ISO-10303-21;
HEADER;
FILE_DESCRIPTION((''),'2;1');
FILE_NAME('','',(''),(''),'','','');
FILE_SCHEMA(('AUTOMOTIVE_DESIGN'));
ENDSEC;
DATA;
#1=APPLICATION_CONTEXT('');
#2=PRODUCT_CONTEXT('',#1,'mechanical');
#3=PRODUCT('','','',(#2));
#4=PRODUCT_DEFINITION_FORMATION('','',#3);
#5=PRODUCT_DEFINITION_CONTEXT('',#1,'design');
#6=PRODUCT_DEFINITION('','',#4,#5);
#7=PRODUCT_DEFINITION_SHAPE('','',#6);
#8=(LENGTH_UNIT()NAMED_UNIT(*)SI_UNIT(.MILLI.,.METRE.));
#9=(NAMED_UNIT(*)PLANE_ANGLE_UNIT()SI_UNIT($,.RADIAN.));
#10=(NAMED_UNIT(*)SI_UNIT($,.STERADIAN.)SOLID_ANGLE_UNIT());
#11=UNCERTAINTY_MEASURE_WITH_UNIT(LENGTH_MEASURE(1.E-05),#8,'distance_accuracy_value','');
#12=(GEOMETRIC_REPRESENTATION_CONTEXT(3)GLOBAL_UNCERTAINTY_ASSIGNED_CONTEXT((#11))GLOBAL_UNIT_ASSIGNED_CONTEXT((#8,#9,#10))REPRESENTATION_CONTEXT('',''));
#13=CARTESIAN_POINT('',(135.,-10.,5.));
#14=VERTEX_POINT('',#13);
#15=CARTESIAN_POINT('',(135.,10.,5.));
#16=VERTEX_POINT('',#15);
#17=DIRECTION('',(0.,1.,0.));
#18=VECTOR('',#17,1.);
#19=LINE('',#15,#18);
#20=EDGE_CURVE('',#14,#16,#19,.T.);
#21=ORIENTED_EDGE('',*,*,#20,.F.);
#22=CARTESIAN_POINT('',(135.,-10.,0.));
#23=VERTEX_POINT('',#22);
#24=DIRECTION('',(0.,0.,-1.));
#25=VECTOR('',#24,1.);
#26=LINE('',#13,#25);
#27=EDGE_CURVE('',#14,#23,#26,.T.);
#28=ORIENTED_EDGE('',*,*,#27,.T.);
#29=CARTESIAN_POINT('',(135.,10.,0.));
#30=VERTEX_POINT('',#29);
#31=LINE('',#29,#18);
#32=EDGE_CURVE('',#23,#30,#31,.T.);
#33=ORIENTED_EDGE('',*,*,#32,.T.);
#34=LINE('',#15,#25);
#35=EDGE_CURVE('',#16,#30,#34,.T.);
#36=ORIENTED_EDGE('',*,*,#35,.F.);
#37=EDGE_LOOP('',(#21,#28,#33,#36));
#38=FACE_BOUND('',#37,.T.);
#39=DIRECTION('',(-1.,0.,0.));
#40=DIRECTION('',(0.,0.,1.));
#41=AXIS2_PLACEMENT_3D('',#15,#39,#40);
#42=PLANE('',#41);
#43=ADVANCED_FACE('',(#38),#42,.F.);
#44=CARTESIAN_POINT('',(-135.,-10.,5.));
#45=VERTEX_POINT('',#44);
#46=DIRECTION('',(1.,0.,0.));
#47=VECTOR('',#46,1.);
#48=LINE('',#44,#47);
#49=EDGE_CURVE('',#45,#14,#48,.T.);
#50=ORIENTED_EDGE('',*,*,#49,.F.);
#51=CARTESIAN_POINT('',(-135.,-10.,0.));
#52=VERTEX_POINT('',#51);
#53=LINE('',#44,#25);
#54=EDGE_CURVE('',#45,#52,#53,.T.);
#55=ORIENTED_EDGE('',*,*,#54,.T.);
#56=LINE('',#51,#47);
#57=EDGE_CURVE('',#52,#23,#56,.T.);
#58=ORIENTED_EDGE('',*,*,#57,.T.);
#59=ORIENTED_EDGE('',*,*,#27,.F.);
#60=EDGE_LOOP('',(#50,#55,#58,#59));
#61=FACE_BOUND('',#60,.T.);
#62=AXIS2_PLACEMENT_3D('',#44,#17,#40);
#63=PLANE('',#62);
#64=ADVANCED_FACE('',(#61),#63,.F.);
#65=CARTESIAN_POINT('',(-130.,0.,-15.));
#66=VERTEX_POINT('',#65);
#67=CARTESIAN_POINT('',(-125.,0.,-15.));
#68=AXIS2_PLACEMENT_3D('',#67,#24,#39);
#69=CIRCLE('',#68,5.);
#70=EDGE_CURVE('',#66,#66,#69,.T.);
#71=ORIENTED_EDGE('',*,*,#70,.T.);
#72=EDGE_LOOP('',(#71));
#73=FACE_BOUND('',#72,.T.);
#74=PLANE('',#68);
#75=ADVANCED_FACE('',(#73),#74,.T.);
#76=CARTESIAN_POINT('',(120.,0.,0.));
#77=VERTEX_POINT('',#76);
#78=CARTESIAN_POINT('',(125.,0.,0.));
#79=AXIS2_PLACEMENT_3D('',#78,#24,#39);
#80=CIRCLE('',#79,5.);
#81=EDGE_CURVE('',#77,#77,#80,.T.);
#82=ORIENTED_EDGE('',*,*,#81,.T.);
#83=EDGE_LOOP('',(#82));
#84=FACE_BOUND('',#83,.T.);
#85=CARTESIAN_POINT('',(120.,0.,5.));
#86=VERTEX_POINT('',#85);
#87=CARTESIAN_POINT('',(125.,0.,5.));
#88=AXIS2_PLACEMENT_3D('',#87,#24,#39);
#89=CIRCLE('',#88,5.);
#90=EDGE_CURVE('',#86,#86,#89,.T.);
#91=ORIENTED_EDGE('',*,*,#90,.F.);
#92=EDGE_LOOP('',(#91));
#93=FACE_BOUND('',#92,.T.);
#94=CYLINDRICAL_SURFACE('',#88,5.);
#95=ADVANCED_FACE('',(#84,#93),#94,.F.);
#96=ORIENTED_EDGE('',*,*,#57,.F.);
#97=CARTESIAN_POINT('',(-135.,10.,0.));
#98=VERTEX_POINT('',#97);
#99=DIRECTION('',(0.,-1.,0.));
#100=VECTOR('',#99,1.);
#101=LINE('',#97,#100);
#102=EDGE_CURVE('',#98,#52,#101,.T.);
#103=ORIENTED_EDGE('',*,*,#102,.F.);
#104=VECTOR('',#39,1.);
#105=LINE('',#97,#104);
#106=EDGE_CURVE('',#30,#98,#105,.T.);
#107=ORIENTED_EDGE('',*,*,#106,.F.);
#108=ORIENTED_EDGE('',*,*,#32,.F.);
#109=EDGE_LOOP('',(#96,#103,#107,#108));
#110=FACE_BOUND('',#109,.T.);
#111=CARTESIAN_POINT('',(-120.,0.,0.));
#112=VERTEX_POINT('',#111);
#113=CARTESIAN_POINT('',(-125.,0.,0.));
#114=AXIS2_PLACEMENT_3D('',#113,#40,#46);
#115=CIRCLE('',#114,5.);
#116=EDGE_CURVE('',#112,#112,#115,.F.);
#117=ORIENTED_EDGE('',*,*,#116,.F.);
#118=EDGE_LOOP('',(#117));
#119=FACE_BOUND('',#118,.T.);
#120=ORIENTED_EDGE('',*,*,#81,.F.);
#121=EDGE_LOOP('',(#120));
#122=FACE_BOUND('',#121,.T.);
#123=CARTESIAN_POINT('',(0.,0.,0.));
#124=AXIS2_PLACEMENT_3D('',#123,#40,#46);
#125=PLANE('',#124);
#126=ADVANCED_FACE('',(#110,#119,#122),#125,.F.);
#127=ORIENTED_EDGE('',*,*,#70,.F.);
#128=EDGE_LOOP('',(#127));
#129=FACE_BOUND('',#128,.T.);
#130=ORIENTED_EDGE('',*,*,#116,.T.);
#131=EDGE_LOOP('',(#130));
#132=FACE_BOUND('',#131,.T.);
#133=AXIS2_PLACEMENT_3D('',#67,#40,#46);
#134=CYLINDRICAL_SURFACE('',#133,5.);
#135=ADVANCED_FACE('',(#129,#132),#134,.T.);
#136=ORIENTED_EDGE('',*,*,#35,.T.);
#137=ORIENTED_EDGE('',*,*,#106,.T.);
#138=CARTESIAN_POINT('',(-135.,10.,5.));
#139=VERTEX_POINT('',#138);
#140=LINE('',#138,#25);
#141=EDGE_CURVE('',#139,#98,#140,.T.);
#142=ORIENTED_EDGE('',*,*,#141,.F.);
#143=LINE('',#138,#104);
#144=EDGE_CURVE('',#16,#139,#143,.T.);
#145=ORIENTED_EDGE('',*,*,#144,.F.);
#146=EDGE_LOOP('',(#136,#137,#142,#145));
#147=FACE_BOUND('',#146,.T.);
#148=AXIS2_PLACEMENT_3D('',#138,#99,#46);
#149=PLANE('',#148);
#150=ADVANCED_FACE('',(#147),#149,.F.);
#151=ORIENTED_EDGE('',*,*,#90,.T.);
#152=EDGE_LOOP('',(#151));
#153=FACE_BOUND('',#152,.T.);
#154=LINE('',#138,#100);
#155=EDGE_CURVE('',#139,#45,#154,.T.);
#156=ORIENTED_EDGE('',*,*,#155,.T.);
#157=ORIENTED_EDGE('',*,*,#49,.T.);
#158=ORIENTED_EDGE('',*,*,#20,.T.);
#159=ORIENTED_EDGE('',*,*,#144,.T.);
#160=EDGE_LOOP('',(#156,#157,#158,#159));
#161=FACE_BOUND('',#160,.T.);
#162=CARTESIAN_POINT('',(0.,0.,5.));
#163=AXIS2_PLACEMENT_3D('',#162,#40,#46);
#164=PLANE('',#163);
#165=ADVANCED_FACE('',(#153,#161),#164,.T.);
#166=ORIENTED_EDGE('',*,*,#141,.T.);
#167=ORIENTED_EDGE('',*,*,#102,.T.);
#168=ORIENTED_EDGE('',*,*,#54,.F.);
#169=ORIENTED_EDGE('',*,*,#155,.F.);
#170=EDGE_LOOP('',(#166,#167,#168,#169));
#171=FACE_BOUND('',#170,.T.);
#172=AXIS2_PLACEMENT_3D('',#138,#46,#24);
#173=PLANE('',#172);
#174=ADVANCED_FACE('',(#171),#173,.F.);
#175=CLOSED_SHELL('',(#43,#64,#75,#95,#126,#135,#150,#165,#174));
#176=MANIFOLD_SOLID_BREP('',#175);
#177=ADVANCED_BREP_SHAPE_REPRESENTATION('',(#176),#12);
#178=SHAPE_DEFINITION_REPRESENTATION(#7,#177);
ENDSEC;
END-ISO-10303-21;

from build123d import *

# Parameters (mm, degrees)
SKETCH1_W           = 270
SKETCH1_H           = 20
BOSS_EXTRUDE1_DEPTH = 5
SKETCH2_R           = 5
CUT_EXTRUDE1_DEPTH  = 5
SKETCH3_R           = 5
BOSS_EXTRUDE2_DEPTH = 15


with BuildPart() as part:
    # Sketch1 → Boss-Extrude1 (new body)
    with BuildSketch(Plane.XY):
        Rectangle(SKETCH1_W, SKETCH1_H)
    extrude(amount=BOSS_EXTRUDE1_DEPTH)

    # Sketch2 → Cut-Extrude1 (cut)
    with BuildSketch(Plane(origin=(0, 0, 0), x_dir=(-1, 0, 0), z_dir=(0, 0, -1))):
        with Locations((-125, 0)):
            Circle(SKETCH2_R)
    extrude(amount=-CUT_EXTRUDE1_DEPTH, mode=Mode.SUBTRACT)

    # Sketch3 → Boss-Extrude2 (add)
    with BuildSketch(Plane(origin=(0, 0, 0), x_dir=(-1, 0, 0), z_dir=(0, 0, -1))):
        with Locations(Location((125, 0, 0), (0, 0, 180))):
            Circle(SKETCH3_R)
    extrude(amount=BOSS_EXTRUDE2_DEPTH)


solid = part.part
